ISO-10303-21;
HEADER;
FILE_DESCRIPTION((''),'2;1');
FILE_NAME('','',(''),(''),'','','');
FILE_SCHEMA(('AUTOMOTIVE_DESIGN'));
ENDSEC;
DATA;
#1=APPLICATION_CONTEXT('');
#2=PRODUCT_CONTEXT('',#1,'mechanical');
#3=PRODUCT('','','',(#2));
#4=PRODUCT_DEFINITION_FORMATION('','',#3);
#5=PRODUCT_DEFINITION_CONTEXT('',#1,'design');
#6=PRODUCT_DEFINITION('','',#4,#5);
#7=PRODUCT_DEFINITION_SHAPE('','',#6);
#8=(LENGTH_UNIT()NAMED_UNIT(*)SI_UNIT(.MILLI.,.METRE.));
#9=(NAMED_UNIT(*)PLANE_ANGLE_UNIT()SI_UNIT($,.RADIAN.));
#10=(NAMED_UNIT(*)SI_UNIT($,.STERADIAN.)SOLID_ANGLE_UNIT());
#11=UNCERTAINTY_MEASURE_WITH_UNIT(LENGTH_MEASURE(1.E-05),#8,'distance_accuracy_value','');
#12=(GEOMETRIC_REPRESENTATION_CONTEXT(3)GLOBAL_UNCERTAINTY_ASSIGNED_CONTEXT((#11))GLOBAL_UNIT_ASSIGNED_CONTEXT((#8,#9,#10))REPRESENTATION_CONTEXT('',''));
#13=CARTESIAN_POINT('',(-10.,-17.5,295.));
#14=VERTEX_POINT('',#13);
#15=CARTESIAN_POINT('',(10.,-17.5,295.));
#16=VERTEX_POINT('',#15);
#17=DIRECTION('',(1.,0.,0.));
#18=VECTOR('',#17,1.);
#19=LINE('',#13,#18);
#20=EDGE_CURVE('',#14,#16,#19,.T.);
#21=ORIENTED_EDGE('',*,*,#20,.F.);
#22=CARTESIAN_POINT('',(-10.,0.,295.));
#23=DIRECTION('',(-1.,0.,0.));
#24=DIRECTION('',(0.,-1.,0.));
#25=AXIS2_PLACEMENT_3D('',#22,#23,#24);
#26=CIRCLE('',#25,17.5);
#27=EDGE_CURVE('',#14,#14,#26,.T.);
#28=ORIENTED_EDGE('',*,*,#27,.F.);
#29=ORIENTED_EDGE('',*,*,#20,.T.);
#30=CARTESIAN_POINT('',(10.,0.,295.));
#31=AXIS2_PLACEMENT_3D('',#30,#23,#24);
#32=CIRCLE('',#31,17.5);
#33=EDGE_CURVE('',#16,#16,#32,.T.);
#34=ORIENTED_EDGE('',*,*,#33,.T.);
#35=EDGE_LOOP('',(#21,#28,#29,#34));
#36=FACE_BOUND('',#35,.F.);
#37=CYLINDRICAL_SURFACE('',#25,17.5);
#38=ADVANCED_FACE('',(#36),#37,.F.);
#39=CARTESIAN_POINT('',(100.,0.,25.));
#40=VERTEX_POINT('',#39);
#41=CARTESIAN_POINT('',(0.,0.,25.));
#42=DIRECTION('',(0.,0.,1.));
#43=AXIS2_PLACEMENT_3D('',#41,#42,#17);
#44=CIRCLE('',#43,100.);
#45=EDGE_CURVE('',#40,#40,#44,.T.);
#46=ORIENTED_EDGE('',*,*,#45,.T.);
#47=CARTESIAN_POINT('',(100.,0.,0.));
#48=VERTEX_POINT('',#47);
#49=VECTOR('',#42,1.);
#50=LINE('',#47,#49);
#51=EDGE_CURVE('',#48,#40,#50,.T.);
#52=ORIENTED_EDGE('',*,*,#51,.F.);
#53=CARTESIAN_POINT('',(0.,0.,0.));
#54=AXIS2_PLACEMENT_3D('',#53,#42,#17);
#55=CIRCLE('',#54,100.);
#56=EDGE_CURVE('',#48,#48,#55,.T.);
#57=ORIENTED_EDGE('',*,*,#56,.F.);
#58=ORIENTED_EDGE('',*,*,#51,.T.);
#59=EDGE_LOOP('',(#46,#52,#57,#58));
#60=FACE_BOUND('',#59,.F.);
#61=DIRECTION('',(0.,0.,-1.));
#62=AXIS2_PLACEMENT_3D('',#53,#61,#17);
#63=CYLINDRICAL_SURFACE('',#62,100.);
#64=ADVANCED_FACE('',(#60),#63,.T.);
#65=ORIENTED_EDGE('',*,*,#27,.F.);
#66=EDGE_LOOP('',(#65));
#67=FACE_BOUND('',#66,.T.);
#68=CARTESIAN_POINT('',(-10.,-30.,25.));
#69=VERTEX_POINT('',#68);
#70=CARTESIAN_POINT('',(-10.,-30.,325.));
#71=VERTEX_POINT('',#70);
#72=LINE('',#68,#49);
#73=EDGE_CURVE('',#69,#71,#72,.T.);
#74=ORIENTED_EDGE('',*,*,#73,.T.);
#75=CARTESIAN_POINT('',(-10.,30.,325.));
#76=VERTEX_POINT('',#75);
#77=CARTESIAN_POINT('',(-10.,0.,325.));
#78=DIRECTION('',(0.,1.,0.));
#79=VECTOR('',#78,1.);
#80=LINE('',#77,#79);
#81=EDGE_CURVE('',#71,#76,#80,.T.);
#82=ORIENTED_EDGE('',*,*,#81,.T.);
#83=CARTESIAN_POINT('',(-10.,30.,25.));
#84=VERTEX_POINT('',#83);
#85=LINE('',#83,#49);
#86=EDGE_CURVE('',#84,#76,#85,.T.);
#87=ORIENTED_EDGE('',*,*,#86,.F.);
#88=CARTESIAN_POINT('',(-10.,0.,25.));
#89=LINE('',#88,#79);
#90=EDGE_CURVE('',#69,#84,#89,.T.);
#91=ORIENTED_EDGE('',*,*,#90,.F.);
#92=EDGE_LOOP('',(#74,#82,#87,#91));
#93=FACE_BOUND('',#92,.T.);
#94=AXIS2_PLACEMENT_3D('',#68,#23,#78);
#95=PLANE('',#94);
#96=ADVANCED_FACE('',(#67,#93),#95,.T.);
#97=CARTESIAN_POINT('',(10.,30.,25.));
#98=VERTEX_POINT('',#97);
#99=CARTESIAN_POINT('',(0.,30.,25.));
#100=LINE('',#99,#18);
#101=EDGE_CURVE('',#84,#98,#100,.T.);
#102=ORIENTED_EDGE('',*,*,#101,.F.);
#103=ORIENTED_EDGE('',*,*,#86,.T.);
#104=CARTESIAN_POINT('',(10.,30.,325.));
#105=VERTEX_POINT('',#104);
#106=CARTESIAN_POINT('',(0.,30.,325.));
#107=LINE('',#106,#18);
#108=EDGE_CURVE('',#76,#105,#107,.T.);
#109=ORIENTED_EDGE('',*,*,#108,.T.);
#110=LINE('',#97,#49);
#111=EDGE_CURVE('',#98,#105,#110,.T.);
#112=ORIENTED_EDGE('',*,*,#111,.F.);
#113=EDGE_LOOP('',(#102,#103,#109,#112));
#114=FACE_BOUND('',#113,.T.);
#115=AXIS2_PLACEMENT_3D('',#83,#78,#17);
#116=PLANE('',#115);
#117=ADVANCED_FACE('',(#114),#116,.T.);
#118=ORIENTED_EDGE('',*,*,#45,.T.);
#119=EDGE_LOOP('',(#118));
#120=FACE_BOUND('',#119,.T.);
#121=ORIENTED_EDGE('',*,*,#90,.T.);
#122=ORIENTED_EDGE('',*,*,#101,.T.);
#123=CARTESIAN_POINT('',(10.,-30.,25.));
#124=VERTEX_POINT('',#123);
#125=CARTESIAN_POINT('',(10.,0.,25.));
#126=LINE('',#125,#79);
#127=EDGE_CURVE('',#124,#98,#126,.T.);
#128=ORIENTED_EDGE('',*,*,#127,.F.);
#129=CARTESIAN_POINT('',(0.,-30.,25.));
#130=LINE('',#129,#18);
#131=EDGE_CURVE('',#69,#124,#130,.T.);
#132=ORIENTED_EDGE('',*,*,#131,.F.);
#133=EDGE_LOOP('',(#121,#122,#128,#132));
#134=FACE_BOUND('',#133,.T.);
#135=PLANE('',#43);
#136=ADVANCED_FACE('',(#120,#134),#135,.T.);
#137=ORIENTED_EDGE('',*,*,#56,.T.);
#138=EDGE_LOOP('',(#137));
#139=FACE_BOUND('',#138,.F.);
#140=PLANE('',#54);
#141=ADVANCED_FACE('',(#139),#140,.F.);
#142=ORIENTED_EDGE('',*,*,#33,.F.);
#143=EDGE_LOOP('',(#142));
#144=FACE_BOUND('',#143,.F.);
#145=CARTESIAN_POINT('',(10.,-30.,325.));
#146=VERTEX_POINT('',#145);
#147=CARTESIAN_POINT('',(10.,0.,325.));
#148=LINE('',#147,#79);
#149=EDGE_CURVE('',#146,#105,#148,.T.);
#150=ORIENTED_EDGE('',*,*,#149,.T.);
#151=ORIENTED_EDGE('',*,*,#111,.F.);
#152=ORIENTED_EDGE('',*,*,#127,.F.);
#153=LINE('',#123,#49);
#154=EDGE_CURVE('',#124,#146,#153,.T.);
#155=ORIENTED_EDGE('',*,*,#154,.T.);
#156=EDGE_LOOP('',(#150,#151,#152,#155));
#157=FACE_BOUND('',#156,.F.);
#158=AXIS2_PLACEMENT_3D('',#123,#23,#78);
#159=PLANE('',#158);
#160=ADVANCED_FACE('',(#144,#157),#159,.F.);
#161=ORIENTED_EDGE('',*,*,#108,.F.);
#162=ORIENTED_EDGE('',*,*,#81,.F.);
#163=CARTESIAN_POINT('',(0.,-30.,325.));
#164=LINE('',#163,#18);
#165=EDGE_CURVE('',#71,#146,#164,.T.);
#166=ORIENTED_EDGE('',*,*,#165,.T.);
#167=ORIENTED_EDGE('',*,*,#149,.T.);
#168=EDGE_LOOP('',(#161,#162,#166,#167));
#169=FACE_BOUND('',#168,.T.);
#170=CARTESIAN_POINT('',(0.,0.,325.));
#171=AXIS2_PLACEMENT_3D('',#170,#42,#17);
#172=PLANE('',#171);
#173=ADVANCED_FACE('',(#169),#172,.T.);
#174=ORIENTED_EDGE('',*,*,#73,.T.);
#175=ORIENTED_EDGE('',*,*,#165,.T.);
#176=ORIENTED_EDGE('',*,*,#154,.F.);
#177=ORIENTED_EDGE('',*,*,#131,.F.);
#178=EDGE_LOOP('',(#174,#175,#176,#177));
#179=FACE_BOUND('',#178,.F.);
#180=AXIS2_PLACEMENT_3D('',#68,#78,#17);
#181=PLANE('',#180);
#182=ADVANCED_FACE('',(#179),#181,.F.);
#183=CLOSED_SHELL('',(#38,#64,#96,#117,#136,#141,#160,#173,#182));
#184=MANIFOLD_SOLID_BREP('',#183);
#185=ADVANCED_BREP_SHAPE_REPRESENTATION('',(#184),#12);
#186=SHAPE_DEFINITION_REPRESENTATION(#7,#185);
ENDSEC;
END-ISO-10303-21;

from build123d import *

# Parameters (mm, degrees)
F0_R     = 100
F1_DEPTH = 25
F2_W     = 20
F2_H     = 60
F3_DEPTH = 300
F4_R     = 17.5
F5_DEPTH = 20


with BuildPart() as f1:
    # F0 (on Top) → F1 (new body)
    with BuildSketch(Plane.XY):
        Circle(F0_R)
    extrude(amount=F1_DEPTH)

    # F2 (on face) → F3 (join)
    with BuildSketch(Plane.XY.offset(25)):
        Rectangle(F2_W, F2_H)
    extrude(amount=F3_DEPTH)

    # F4 (on face) → F5 (cut, through all)
    with BuildSketch(Plane(origin=(-10, 0, 0), x_dir=(0, -1, 0), z_dir=(-1, 0, 0))):
        with Locations((0, 295)):
            Circle(F4_R)
    extrude(amount=-F5_DEPTH, mode=Mode.SUBTRACT)


solid = f1.part
